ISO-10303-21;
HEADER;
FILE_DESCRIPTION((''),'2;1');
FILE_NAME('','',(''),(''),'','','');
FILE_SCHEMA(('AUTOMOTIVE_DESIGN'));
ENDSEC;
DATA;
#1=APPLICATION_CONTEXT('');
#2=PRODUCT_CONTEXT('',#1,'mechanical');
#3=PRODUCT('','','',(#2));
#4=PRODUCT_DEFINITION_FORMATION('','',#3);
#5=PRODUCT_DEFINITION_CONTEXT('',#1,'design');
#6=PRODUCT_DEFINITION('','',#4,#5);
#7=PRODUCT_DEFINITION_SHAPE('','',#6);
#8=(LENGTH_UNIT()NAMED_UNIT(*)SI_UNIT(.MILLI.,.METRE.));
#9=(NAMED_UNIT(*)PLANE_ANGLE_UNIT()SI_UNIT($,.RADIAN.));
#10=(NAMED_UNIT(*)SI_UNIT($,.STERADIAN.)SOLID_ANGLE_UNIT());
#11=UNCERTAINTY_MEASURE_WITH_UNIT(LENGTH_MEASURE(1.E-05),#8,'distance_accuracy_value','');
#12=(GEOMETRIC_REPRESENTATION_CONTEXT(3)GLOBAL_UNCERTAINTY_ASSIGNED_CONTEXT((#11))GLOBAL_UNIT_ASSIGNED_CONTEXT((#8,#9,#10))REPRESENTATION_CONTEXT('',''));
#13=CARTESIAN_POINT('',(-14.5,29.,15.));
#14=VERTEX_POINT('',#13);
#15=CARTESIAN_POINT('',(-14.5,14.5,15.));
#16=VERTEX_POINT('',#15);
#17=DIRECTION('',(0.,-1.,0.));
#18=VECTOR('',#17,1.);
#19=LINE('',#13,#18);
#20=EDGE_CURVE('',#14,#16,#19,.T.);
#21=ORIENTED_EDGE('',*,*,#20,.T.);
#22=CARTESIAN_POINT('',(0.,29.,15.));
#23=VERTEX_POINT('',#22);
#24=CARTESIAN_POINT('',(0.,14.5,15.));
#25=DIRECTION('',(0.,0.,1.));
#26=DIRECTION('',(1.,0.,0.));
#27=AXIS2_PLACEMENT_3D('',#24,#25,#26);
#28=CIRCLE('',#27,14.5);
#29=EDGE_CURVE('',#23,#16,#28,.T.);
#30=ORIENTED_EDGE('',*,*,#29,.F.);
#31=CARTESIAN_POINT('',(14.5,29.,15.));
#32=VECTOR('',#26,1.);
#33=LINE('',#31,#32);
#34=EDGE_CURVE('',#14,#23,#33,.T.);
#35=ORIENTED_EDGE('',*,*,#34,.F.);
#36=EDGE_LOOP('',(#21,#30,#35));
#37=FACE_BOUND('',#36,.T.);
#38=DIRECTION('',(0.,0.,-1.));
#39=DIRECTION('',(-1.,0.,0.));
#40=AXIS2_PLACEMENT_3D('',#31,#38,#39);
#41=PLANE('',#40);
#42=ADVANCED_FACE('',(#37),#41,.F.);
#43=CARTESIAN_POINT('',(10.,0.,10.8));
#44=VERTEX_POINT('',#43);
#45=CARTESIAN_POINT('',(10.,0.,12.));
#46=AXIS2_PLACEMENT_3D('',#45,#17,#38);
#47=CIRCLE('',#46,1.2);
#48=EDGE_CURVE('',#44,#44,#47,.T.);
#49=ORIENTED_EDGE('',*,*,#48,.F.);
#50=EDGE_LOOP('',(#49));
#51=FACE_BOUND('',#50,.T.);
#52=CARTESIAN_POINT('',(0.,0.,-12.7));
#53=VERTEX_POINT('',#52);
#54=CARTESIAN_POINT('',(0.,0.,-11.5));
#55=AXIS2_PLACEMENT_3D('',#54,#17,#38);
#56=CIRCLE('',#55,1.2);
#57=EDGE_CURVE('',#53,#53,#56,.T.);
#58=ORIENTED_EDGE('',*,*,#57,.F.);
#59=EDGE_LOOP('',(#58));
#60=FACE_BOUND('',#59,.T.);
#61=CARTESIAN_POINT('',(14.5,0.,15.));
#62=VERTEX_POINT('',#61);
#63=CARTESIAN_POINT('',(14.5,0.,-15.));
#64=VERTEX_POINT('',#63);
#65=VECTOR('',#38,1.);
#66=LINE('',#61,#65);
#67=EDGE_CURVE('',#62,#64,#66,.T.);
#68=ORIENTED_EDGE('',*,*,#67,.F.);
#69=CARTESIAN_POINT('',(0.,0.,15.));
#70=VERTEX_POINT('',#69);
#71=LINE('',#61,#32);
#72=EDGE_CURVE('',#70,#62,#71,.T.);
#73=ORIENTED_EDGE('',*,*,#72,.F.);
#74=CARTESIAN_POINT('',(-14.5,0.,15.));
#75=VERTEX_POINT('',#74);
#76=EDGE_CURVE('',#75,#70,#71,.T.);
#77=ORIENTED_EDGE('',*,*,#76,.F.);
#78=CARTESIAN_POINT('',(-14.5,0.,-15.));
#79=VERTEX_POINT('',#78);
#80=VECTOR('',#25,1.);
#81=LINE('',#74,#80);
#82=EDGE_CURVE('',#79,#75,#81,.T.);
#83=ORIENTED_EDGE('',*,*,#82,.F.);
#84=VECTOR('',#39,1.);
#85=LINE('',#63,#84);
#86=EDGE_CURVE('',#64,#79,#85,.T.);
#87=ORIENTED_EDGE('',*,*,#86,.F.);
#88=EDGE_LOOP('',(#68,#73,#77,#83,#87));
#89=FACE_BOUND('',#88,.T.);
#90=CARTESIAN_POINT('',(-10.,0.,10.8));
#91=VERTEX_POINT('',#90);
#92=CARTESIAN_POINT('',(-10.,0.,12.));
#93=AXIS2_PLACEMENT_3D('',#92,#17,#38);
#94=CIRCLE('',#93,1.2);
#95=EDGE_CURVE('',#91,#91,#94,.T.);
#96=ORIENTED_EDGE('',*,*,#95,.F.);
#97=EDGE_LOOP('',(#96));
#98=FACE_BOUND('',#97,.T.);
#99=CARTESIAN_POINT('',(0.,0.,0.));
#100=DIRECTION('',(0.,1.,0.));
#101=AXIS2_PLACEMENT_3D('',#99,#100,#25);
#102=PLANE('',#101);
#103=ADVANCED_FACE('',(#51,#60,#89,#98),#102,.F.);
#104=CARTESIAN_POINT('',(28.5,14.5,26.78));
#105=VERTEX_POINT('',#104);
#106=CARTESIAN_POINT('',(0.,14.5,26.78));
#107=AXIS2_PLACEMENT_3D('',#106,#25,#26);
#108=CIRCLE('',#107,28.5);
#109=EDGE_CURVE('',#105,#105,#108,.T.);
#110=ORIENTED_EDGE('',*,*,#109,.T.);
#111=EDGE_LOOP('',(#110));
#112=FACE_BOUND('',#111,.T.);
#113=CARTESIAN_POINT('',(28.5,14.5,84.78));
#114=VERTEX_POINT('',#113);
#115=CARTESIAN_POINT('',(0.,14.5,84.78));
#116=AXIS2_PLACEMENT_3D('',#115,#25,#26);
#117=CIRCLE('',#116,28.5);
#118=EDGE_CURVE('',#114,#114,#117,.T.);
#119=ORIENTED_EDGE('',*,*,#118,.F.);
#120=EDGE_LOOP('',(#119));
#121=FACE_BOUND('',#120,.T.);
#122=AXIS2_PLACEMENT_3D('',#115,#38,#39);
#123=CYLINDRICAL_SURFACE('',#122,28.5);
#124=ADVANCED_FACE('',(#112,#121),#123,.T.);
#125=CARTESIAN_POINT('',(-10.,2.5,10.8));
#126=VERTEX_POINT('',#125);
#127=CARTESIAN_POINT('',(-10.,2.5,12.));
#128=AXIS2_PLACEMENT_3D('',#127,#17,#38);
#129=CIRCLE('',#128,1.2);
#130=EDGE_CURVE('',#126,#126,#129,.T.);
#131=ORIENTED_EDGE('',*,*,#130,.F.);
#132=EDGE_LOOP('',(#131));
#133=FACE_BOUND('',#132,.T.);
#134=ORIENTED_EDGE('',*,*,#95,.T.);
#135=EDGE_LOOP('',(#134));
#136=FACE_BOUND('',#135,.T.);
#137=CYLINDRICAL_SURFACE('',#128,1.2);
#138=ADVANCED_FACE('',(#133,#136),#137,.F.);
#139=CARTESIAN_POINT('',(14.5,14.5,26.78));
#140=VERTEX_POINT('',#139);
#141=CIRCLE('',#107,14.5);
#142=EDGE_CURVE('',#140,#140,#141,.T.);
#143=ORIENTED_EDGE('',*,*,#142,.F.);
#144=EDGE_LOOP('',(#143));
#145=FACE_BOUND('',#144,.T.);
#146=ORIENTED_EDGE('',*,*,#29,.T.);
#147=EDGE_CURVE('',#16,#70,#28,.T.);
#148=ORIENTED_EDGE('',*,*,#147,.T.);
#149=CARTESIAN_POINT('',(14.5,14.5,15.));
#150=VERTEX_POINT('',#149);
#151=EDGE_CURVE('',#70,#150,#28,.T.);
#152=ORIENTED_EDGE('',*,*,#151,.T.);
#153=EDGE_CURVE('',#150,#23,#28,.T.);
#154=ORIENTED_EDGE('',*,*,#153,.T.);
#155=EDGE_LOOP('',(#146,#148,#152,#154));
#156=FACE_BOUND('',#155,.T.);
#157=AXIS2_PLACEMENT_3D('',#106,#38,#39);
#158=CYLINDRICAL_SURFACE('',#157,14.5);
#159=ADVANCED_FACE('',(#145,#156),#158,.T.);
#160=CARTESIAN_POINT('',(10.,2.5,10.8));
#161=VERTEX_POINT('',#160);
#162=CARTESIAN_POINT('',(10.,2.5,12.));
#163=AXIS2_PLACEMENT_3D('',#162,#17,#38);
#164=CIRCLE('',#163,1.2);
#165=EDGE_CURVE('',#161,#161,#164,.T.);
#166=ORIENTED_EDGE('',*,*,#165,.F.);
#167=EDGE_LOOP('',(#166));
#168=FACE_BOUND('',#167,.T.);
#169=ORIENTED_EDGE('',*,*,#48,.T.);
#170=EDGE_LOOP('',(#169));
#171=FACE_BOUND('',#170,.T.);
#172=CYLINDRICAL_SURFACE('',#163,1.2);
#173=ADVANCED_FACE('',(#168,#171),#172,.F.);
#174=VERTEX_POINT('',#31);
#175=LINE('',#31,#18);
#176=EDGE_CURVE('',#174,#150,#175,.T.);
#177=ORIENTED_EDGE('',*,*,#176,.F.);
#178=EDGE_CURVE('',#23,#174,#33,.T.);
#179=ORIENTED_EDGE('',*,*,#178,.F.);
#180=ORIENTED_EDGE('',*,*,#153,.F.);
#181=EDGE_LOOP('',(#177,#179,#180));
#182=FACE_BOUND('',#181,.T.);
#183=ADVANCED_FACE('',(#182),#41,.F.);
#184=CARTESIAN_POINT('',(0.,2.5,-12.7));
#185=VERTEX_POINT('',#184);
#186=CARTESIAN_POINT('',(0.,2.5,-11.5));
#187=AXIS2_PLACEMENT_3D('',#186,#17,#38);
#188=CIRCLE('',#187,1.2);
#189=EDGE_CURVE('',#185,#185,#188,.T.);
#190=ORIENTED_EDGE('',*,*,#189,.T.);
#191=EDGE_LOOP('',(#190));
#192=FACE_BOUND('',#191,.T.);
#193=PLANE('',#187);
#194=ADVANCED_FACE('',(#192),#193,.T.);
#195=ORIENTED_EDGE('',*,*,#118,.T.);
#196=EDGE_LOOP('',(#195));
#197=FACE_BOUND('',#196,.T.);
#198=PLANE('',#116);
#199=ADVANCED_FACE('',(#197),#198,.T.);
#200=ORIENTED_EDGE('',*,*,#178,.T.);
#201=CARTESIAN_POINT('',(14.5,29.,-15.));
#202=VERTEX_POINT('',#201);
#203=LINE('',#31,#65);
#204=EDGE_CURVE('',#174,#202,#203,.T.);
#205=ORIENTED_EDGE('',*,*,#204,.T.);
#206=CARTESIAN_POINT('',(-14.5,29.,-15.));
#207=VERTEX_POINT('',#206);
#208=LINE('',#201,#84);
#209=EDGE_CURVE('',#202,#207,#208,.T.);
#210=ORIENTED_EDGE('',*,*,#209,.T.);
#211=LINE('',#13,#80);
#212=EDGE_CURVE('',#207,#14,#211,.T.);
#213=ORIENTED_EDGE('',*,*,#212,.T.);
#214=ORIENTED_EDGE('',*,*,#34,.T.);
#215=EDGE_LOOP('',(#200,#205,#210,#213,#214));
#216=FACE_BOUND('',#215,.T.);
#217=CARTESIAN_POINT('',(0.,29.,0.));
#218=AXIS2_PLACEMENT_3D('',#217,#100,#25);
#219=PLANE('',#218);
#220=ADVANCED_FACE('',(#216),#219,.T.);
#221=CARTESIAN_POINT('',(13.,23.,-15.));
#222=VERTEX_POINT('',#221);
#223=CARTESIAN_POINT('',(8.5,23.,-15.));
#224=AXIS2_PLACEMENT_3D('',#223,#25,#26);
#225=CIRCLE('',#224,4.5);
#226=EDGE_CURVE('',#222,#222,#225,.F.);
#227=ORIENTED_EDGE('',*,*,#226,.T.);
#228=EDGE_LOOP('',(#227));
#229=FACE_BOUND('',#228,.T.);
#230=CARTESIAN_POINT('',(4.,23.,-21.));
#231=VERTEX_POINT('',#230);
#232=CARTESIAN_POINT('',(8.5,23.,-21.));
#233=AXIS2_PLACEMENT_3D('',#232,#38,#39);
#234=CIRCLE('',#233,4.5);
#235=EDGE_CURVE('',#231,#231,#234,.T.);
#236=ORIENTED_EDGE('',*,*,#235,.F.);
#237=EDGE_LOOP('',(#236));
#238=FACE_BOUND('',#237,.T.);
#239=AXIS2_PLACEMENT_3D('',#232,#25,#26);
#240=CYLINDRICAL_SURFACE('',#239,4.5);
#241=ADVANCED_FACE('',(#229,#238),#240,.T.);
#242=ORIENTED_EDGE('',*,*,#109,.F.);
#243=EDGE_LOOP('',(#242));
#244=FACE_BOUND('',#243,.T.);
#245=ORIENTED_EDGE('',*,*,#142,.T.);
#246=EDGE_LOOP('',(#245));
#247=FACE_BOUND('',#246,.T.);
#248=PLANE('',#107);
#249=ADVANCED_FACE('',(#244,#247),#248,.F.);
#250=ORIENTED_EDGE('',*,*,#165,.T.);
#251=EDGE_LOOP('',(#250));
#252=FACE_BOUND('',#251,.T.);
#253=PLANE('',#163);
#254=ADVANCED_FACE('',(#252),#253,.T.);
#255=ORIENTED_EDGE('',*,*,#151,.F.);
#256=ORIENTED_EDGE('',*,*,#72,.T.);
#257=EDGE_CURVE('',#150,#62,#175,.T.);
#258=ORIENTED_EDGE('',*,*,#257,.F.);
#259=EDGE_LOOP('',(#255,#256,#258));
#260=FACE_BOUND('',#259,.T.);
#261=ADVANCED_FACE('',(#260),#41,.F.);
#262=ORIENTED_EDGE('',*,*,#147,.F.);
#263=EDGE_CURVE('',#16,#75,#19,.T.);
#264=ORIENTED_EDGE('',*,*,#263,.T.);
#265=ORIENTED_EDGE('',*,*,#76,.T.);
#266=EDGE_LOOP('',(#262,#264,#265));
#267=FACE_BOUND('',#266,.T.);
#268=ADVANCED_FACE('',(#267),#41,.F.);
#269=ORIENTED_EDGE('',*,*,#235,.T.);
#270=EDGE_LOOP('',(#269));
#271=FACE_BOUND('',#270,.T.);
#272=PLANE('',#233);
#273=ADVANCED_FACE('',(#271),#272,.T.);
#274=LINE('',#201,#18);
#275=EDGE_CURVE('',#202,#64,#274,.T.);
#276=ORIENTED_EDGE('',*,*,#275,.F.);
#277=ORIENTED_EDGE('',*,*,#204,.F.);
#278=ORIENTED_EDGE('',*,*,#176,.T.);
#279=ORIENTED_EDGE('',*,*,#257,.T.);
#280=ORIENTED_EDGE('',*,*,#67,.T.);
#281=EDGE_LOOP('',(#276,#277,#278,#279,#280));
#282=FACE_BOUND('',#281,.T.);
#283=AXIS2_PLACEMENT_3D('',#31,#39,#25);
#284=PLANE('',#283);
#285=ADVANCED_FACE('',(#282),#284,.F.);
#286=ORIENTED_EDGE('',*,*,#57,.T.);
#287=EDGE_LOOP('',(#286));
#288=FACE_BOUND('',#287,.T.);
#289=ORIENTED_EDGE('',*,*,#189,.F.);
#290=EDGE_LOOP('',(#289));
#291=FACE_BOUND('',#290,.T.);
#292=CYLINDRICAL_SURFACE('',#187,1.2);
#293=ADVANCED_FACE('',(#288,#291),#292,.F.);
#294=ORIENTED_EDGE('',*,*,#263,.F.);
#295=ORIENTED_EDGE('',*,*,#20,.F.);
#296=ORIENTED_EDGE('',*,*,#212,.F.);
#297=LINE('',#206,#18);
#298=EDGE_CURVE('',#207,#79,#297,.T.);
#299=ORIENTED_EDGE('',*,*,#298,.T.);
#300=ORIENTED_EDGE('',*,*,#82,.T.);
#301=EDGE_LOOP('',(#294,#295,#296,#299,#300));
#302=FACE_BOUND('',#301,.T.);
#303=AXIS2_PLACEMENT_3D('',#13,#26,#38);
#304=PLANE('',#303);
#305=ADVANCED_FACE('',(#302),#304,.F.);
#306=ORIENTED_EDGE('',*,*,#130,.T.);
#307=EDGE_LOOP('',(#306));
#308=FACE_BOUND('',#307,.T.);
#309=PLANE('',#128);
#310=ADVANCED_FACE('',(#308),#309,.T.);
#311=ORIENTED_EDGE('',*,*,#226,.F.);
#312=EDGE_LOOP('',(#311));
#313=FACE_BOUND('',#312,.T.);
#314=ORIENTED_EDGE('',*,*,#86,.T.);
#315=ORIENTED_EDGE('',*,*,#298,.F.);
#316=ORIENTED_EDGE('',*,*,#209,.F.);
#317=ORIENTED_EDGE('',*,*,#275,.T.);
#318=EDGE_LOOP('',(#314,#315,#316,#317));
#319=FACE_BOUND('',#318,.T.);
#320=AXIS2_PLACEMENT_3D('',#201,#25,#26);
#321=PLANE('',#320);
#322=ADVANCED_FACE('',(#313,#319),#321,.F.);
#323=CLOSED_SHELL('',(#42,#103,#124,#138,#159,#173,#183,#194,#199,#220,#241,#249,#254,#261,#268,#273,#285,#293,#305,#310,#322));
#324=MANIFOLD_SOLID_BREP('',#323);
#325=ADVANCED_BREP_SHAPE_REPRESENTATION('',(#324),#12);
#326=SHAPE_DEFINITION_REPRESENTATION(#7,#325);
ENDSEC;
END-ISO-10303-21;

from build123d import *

# Parameters (mm, degrees)
SKETCH1_W           = 29
SKETCH1_H           = 30
BOSS_EXTRUDE1_DEPTH = 29
SKETCH2_R           = 14.5
BOSS_EXTRUDE2_DEPTH = 11.78
SKETCH3_R           = 1.2
CUT_EXTRUDE1_DEPTH  = 2.5
SKETCH4_R           = 4.5
BOSS_EXTRUDE3_DEPTH = 6
SKETCH5_R           = 28.5
BOSS_EXTRUDE4_DEPTH = 58


with BuildPart() as part:
    # Sketch1 → Boss-Extrude1 (new body)
    with BuildSketch(Plane(origin=(0, 0, 0), x_dir=(1, 0, 0), z_dir=(0, 1, 0))):
        Rectangle(SKETCH1_W, SKETCH1_H)
    extrude(amount=BOSS_EXTRUDE1_DEPTH)

    # Sketch2 → Boss-Extrude2 (add)
    with BuildSketch(Plane.XY.offset(15)):
        with Locations((0, 14.5)):
            Circle(SKETCH2_R)
    extrude(amount=BOSS_EXTRUDE2_DEPTH)

    # Sketch3 → Cut-Extrude1 (cut)
    with BuildSketch(Plane.XZ):
        with Locations((-10, 12)):
            Circle(SKETCH3_R)
        with Locations((10, 12)):
            Circle(SKETCH3_R)
        with Locations((0, -11.5)):
            Circle(SKETCH3_R)
    extrude(amount=-CUT_EXTRUDE1_DEPTH, mode=Mode.SUBTRACT)

    # Sketch4 → Boss-Extrude3 (add)
    with BuildSketch(Plane(origin=(0, 0, -15), x_dir=(-1, 0, 0), z_dir=(0, 0, -1))):
        with Locations((-8.5, 23)):
            Circle(SKETCH4_R)
    extrude(amount=BOSS_EXTRUDE3_DEPTH)

    # Sketch5 → Boss-Extrude4 (add)
    with BuildSketch(Plane.XY.offset(26.78)):
        with Locations((0, 14.5)):
            Circle(SKETCH5_R)
    extrude(amount=BOSS_EXTRUDE4_DEPTH)


solid = part.part
